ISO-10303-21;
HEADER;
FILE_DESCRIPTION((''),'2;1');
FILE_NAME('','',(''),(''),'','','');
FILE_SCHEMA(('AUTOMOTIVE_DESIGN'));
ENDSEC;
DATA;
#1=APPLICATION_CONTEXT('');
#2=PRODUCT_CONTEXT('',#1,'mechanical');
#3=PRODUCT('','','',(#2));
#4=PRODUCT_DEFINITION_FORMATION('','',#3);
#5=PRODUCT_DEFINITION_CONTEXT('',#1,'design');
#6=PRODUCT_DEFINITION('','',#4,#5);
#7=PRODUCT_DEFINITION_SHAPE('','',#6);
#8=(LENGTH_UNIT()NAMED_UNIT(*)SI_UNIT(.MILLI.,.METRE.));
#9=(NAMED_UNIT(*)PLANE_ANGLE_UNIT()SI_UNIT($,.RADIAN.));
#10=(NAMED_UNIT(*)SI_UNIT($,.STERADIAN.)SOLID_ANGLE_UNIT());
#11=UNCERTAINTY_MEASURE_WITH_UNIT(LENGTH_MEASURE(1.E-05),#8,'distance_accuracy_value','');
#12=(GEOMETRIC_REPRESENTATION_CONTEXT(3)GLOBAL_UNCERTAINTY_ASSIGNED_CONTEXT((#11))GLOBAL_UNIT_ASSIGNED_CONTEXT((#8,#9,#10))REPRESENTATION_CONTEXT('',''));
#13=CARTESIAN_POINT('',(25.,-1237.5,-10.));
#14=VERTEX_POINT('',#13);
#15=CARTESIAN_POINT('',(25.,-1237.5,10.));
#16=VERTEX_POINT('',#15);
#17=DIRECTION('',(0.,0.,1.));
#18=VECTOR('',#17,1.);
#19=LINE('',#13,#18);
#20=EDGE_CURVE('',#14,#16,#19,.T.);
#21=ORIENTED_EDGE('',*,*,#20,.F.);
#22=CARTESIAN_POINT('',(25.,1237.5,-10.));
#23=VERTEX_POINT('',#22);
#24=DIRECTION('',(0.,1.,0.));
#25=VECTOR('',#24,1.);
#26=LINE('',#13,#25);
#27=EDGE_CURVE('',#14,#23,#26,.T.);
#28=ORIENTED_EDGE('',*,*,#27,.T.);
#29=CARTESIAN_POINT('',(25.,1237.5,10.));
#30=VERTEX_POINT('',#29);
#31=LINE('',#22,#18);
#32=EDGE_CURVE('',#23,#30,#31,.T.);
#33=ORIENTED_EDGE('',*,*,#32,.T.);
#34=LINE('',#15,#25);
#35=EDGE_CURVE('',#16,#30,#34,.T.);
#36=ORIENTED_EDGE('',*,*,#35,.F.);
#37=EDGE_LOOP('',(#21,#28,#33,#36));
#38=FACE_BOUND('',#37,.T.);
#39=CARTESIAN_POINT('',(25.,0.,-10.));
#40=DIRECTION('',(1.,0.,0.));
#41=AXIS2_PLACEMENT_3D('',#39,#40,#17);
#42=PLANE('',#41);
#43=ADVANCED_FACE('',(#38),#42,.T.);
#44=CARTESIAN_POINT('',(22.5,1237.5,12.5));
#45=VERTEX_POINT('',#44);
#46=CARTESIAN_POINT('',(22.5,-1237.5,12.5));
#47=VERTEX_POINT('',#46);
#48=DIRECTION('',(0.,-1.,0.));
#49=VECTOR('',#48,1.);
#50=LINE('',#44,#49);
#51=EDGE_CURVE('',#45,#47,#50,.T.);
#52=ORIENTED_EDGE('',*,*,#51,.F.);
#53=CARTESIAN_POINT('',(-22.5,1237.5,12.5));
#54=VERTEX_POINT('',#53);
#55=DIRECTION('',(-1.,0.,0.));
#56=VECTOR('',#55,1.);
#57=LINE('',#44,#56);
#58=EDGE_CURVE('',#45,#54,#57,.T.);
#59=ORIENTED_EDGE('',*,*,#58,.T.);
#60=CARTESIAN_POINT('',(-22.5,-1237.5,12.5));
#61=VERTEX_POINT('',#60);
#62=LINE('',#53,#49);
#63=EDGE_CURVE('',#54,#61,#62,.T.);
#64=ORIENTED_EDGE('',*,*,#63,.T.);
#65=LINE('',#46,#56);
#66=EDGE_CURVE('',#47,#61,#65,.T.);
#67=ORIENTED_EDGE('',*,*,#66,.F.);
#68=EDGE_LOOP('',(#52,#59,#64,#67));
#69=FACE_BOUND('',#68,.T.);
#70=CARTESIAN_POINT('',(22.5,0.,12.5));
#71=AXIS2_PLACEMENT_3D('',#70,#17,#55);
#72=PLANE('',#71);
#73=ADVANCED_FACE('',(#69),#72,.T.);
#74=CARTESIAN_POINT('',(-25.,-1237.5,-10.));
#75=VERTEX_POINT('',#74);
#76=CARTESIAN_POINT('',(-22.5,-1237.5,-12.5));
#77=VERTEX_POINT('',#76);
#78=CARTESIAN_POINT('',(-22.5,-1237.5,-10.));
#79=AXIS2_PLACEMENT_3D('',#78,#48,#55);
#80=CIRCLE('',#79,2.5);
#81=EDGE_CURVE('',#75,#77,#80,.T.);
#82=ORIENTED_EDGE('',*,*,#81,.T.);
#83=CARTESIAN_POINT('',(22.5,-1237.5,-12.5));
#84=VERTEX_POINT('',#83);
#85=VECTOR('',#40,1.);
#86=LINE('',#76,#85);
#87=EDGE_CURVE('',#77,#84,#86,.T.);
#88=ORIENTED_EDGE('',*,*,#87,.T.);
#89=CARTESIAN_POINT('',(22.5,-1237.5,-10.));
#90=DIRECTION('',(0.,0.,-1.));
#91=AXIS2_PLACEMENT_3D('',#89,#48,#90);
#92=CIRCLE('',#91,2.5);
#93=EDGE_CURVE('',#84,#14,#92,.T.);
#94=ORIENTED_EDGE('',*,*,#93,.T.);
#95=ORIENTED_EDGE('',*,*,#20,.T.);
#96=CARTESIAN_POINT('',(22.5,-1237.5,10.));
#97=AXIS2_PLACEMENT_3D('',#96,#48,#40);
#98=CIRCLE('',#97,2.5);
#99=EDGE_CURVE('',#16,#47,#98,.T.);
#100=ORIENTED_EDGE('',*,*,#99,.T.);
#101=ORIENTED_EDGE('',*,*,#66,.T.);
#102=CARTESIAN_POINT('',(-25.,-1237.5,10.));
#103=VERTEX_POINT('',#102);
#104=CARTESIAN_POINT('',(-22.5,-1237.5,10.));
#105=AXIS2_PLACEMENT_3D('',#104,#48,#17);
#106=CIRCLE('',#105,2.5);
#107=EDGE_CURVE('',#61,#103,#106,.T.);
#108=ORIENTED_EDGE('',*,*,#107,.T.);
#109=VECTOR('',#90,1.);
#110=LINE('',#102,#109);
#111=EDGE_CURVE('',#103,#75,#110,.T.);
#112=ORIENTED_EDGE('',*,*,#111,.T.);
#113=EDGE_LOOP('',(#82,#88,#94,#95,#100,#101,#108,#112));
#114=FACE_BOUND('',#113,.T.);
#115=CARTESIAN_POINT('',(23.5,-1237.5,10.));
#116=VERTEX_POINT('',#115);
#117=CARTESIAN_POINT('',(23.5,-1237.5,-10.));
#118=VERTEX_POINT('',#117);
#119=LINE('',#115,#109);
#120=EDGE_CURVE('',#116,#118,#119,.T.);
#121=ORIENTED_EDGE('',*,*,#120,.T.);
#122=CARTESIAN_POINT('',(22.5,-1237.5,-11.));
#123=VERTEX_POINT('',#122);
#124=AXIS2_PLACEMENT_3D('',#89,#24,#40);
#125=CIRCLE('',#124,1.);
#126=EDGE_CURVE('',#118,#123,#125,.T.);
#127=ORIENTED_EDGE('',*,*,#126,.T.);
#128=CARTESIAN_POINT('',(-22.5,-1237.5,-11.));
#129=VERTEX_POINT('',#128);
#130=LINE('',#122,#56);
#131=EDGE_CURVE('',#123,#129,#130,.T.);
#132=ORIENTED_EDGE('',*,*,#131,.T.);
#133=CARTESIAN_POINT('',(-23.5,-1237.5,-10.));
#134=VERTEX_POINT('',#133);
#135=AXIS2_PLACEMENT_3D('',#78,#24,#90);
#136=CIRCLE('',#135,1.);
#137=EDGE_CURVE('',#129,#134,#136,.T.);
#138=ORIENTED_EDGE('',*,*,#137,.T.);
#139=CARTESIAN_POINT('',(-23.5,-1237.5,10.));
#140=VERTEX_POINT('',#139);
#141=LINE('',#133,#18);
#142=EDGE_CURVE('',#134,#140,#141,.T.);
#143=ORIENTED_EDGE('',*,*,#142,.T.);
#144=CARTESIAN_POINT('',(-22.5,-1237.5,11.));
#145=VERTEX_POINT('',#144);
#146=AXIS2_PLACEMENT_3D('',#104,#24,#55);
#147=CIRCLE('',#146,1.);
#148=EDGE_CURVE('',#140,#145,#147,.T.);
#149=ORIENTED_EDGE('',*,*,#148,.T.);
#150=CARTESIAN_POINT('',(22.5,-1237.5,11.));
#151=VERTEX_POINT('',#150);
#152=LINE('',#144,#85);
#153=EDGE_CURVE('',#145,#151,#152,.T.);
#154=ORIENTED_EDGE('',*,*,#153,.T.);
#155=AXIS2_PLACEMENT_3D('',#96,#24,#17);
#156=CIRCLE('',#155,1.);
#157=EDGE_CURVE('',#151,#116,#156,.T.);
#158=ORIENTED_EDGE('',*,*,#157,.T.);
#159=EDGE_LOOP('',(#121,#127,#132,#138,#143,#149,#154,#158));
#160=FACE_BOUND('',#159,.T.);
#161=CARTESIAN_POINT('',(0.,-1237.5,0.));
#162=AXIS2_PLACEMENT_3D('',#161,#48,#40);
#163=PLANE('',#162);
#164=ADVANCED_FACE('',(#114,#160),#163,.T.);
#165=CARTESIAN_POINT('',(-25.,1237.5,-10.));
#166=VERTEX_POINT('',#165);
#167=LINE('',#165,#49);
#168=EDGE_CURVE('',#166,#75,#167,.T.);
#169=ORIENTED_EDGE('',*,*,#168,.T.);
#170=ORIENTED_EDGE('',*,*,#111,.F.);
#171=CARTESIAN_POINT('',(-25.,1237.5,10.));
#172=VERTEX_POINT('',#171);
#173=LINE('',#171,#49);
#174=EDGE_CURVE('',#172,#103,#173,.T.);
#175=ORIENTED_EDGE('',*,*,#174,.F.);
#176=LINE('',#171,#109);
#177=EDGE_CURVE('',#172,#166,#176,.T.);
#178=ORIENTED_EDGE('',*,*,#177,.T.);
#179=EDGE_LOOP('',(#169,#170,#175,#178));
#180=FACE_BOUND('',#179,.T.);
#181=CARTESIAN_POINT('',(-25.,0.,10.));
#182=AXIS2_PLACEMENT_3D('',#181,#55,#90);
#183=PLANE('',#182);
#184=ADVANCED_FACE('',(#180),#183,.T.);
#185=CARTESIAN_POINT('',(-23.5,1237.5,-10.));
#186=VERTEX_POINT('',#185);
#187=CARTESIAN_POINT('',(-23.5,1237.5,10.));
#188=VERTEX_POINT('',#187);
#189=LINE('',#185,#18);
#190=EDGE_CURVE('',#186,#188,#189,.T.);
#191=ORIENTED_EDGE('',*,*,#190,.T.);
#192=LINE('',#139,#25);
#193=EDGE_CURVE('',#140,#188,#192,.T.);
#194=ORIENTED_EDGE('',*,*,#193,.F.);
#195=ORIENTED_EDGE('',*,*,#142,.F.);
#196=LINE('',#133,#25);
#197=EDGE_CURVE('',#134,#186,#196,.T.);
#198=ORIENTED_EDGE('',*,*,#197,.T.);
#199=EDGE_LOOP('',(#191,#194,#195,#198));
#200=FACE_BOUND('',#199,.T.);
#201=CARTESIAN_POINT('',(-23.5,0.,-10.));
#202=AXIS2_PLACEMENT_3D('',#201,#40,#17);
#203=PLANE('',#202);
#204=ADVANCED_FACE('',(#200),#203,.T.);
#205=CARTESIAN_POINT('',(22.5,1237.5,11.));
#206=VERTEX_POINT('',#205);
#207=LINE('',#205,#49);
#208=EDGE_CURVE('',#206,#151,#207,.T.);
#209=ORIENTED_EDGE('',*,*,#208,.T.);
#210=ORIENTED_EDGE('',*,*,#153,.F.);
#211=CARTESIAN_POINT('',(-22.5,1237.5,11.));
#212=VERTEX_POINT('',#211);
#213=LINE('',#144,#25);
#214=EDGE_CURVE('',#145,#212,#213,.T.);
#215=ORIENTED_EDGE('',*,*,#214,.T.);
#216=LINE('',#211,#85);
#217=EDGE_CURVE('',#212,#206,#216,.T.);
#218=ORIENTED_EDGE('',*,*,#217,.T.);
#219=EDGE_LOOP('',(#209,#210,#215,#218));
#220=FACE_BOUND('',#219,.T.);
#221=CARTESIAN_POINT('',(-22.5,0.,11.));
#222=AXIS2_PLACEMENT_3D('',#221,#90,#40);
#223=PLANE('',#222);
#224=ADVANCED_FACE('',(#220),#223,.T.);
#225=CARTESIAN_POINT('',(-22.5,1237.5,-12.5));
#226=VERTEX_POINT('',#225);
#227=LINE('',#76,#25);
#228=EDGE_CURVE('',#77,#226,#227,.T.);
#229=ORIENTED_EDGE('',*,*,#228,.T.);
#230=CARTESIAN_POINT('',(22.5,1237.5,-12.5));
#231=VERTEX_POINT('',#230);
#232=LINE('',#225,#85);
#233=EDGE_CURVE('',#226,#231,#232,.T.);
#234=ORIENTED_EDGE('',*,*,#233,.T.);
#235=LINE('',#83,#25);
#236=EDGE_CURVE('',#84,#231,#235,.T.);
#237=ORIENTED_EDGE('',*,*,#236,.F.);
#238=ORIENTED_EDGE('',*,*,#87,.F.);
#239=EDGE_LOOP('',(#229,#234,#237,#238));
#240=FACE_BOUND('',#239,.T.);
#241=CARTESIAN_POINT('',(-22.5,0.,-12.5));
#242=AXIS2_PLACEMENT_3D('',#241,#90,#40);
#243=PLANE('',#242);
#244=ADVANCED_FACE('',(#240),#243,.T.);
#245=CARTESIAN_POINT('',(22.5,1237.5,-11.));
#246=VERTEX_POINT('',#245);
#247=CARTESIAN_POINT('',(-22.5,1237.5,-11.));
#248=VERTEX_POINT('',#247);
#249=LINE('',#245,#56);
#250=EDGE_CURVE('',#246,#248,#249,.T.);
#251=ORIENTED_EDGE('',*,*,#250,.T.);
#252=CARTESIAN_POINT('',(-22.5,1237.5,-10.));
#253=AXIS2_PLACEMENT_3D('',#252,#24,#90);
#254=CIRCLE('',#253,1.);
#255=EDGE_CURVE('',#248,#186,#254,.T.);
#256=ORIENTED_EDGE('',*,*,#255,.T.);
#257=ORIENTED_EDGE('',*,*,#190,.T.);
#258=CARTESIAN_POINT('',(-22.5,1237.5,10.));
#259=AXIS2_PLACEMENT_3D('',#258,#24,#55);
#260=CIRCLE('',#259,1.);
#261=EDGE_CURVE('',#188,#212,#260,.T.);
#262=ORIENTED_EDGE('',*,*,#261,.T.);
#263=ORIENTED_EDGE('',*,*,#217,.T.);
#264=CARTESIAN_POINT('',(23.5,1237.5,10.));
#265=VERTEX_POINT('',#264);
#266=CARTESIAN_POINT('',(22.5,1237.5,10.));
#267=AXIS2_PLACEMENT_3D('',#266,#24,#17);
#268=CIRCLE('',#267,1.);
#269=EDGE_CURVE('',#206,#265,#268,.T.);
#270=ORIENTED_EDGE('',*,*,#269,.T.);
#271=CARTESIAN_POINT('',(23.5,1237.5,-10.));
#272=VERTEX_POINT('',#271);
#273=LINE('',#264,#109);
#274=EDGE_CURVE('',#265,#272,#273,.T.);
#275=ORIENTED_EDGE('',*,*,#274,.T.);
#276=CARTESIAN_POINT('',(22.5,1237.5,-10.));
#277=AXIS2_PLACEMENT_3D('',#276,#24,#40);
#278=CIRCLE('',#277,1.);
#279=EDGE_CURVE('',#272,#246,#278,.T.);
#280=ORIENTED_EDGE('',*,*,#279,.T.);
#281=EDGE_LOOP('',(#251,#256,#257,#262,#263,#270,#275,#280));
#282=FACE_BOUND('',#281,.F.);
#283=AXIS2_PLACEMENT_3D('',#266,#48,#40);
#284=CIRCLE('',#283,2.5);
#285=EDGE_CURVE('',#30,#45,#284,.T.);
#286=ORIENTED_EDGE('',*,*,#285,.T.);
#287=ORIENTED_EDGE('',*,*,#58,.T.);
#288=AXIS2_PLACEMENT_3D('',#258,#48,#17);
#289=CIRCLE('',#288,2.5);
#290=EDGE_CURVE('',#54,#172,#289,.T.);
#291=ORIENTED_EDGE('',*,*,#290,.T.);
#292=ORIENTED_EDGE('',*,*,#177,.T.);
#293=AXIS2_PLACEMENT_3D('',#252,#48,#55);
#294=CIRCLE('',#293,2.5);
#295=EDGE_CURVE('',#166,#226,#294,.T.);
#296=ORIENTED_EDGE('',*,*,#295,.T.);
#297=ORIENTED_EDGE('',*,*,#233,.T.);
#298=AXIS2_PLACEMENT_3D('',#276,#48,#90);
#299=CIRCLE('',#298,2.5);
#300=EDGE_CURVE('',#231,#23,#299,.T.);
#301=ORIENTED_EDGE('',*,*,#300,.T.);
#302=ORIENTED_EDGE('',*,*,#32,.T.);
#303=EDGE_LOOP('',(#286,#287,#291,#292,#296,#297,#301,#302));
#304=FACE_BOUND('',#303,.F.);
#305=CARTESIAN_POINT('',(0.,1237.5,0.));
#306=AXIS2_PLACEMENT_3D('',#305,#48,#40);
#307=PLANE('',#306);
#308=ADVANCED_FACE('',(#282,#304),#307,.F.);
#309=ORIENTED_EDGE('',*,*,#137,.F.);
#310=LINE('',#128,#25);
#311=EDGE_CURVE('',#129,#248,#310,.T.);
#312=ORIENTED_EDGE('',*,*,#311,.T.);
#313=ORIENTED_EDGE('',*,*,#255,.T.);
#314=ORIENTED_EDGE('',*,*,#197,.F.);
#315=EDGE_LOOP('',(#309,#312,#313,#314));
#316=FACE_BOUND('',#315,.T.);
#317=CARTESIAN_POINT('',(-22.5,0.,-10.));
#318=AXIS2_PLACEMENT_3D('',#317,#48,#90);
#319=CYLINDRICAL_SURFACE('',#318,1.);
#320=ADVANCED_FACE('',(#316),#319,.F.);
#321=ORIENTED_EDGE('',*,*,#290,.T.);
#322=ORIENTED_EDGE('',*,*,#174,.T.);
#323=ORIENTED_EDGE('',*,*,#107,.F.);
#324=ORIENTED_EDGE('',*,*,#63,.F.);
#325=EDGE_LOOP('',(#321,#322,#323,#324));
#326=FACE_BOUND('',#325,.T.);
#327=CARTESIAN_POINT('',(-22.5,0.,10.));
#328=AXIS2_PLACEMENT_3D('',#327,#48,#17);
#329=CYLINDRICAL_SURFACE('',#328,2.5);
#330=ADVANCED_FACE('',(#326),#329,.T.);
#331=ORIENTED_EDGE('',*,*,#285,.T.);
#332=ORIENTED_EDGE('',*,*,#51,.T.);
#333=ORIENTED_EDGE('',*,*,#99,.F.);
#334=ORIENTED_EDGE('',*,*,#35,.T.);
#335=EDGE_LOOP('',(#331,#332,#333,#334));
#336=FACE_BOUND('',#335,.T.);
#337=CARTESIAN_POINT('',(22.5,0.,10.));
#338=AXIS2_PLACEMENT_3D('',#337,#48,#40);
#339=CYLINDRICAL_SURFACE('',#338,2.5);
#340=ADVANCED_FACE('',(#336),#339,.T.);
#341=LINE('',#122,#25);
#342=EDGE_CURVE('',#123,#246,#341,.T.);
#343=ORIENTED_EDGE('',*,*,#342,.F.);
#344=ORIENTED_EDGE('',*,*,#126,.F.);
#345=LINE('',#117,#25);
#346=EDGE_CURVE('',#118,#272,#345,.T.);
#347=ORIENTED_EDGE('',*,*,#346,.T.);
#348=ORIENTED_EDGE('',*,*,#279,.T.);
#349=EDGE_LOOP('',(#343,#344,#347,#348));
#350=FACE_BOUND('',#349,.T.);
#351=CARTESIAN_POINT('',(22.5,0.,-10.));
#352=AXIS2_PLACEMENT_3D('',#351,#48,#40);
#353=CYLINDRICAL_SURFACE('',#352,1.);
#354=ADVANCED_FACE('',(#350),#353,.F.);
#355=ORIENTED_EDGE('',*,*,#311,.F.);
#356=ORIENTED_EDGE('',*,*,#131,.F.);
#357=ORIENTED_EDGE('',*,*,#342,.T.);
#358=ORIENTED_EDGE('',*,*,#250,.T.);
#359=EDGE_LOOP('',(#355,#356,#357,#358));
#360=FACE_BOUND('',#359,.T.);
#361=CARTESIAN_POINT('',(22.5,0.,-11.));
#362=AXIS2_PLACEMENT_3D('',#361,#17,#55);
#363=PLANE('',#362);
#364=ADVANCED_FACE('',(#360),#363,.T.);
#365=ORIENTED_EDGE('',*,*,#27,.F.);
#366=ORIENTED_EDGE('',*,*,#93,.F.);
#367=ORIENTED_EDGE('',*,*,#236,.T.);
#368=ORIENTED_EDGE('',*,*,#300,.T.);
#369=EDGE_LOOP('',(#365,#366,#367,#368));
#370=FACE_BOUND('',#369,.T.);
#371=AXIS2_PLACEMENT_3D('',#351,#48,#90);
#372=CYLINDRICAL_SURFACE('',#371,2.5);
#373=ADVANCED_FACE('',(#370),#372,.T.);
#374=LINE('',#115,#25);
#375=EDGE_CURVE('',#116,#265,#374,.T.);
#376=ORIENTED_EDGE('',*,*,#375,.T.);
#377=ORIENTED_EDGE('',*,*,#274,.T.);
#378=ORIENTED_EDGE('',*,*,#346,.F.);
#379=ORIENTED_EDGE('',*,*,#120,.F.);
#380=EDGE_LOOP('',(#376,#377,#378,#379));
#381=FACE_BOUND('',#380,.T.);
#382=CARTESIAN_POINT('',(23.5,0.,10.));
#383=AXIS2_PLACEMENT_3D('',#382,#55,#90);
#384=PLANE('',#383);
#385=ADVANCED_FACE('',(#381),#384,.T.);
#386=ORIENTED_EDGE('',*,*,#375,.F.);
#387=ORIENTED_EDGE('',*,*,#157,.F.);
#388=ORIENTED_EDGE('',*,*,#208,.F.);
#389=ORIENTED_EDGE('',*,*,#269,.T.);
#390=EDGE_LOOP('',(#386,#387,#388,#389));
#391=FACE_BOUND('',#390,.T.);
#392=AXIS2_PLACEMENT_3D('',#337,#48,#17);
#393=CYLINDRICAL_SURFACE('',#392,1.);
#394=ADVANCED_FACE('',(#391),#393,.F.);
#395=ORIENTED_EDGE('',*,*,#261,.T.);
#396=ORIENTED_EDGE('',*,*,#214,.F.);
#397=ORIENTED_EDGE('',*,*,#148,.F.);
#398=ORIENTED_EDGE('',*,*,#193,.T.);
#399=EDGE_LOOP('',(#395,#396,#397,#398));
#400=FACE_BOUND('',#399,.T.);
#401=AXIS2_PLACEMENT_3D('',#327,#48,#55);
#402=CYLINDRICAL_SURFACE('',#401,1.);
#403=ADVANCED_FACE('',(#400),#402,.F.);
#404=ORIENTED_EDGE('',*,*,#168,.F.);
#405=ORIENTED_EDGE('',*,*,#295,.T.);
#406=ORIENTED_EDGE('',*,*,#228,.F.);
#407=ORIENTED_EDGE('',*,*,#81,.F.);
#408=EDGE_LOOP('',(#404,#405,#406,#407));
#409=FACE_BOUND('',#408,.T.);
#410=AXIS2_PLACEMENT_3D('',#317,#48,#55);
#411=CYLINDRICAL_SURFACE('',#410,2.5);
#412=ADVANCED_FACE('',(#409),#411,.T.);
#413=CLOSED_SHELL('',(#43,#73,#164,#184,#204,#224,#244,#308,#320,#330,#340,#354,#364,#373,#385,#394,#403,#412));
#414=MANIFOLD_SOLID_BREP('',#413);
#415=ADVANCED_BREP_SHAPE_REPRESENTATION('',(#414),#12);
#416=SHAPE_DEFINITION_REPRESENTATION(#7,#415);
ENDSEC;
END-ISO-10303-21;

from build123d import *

# Parameters (mm, degrees)
F1_DEPTH = 1237.5


with BuildPart() as f1:
    # F0 (on Front) → F1 (new body, symmetric)
    with BuildSketch(Plane.XZ):
        with BuildLine():
            ThreePointArc((25, 10), (24.267766953, 11.767766953), (22.5, 12.5))
            Line((22.5, 12.5), (-22.5, 12.5))
            ThreePointArc((-22.5, 12.5), (-24.267766953, 11.767766953), (-25, 10))
            Line((-25, 10), (-25, -10))
            ThreePointArc((-25, -10), (-24.267766953, -11.767766953), (-22.5, -12.5))
            Line((-22.5, -12.5), (22.5, -12.5))
            ThreePointArc((22.5, -12.5), (24.267766953, -11.767766953), (25, -10))
            Line((25, -10), (25, 10))
        make_face()
        with BuildLine():
            ThreePointArc((22.5, 11), (23.2071067812, 10.7071067812), (23.5, 10))
            Line((23.5, 10), (23.5, -10))
            ThreePointArc((23.5, -10), (23.2071067812, -10.7071067812), (22.5, -11))
            Line((22.5, -11), (-22.5, -11))
            ThreePointArc((-22.5, -11), (-23.2071067812, -10.7071067812), (-23.5, -10))
            Line((-23.5, -10), (-23.5, 10))
            ThreePointArc((-23.5, 10), (-23.2071067812, 10.7071067812), (-22.5, 11))
            Line((-22.5, 11), (22.5, 11))
        make_face(mode=Mode.SUBTRACT)
    extrude(amount=F1_DEPTH, both=True)


solid = f1.part
